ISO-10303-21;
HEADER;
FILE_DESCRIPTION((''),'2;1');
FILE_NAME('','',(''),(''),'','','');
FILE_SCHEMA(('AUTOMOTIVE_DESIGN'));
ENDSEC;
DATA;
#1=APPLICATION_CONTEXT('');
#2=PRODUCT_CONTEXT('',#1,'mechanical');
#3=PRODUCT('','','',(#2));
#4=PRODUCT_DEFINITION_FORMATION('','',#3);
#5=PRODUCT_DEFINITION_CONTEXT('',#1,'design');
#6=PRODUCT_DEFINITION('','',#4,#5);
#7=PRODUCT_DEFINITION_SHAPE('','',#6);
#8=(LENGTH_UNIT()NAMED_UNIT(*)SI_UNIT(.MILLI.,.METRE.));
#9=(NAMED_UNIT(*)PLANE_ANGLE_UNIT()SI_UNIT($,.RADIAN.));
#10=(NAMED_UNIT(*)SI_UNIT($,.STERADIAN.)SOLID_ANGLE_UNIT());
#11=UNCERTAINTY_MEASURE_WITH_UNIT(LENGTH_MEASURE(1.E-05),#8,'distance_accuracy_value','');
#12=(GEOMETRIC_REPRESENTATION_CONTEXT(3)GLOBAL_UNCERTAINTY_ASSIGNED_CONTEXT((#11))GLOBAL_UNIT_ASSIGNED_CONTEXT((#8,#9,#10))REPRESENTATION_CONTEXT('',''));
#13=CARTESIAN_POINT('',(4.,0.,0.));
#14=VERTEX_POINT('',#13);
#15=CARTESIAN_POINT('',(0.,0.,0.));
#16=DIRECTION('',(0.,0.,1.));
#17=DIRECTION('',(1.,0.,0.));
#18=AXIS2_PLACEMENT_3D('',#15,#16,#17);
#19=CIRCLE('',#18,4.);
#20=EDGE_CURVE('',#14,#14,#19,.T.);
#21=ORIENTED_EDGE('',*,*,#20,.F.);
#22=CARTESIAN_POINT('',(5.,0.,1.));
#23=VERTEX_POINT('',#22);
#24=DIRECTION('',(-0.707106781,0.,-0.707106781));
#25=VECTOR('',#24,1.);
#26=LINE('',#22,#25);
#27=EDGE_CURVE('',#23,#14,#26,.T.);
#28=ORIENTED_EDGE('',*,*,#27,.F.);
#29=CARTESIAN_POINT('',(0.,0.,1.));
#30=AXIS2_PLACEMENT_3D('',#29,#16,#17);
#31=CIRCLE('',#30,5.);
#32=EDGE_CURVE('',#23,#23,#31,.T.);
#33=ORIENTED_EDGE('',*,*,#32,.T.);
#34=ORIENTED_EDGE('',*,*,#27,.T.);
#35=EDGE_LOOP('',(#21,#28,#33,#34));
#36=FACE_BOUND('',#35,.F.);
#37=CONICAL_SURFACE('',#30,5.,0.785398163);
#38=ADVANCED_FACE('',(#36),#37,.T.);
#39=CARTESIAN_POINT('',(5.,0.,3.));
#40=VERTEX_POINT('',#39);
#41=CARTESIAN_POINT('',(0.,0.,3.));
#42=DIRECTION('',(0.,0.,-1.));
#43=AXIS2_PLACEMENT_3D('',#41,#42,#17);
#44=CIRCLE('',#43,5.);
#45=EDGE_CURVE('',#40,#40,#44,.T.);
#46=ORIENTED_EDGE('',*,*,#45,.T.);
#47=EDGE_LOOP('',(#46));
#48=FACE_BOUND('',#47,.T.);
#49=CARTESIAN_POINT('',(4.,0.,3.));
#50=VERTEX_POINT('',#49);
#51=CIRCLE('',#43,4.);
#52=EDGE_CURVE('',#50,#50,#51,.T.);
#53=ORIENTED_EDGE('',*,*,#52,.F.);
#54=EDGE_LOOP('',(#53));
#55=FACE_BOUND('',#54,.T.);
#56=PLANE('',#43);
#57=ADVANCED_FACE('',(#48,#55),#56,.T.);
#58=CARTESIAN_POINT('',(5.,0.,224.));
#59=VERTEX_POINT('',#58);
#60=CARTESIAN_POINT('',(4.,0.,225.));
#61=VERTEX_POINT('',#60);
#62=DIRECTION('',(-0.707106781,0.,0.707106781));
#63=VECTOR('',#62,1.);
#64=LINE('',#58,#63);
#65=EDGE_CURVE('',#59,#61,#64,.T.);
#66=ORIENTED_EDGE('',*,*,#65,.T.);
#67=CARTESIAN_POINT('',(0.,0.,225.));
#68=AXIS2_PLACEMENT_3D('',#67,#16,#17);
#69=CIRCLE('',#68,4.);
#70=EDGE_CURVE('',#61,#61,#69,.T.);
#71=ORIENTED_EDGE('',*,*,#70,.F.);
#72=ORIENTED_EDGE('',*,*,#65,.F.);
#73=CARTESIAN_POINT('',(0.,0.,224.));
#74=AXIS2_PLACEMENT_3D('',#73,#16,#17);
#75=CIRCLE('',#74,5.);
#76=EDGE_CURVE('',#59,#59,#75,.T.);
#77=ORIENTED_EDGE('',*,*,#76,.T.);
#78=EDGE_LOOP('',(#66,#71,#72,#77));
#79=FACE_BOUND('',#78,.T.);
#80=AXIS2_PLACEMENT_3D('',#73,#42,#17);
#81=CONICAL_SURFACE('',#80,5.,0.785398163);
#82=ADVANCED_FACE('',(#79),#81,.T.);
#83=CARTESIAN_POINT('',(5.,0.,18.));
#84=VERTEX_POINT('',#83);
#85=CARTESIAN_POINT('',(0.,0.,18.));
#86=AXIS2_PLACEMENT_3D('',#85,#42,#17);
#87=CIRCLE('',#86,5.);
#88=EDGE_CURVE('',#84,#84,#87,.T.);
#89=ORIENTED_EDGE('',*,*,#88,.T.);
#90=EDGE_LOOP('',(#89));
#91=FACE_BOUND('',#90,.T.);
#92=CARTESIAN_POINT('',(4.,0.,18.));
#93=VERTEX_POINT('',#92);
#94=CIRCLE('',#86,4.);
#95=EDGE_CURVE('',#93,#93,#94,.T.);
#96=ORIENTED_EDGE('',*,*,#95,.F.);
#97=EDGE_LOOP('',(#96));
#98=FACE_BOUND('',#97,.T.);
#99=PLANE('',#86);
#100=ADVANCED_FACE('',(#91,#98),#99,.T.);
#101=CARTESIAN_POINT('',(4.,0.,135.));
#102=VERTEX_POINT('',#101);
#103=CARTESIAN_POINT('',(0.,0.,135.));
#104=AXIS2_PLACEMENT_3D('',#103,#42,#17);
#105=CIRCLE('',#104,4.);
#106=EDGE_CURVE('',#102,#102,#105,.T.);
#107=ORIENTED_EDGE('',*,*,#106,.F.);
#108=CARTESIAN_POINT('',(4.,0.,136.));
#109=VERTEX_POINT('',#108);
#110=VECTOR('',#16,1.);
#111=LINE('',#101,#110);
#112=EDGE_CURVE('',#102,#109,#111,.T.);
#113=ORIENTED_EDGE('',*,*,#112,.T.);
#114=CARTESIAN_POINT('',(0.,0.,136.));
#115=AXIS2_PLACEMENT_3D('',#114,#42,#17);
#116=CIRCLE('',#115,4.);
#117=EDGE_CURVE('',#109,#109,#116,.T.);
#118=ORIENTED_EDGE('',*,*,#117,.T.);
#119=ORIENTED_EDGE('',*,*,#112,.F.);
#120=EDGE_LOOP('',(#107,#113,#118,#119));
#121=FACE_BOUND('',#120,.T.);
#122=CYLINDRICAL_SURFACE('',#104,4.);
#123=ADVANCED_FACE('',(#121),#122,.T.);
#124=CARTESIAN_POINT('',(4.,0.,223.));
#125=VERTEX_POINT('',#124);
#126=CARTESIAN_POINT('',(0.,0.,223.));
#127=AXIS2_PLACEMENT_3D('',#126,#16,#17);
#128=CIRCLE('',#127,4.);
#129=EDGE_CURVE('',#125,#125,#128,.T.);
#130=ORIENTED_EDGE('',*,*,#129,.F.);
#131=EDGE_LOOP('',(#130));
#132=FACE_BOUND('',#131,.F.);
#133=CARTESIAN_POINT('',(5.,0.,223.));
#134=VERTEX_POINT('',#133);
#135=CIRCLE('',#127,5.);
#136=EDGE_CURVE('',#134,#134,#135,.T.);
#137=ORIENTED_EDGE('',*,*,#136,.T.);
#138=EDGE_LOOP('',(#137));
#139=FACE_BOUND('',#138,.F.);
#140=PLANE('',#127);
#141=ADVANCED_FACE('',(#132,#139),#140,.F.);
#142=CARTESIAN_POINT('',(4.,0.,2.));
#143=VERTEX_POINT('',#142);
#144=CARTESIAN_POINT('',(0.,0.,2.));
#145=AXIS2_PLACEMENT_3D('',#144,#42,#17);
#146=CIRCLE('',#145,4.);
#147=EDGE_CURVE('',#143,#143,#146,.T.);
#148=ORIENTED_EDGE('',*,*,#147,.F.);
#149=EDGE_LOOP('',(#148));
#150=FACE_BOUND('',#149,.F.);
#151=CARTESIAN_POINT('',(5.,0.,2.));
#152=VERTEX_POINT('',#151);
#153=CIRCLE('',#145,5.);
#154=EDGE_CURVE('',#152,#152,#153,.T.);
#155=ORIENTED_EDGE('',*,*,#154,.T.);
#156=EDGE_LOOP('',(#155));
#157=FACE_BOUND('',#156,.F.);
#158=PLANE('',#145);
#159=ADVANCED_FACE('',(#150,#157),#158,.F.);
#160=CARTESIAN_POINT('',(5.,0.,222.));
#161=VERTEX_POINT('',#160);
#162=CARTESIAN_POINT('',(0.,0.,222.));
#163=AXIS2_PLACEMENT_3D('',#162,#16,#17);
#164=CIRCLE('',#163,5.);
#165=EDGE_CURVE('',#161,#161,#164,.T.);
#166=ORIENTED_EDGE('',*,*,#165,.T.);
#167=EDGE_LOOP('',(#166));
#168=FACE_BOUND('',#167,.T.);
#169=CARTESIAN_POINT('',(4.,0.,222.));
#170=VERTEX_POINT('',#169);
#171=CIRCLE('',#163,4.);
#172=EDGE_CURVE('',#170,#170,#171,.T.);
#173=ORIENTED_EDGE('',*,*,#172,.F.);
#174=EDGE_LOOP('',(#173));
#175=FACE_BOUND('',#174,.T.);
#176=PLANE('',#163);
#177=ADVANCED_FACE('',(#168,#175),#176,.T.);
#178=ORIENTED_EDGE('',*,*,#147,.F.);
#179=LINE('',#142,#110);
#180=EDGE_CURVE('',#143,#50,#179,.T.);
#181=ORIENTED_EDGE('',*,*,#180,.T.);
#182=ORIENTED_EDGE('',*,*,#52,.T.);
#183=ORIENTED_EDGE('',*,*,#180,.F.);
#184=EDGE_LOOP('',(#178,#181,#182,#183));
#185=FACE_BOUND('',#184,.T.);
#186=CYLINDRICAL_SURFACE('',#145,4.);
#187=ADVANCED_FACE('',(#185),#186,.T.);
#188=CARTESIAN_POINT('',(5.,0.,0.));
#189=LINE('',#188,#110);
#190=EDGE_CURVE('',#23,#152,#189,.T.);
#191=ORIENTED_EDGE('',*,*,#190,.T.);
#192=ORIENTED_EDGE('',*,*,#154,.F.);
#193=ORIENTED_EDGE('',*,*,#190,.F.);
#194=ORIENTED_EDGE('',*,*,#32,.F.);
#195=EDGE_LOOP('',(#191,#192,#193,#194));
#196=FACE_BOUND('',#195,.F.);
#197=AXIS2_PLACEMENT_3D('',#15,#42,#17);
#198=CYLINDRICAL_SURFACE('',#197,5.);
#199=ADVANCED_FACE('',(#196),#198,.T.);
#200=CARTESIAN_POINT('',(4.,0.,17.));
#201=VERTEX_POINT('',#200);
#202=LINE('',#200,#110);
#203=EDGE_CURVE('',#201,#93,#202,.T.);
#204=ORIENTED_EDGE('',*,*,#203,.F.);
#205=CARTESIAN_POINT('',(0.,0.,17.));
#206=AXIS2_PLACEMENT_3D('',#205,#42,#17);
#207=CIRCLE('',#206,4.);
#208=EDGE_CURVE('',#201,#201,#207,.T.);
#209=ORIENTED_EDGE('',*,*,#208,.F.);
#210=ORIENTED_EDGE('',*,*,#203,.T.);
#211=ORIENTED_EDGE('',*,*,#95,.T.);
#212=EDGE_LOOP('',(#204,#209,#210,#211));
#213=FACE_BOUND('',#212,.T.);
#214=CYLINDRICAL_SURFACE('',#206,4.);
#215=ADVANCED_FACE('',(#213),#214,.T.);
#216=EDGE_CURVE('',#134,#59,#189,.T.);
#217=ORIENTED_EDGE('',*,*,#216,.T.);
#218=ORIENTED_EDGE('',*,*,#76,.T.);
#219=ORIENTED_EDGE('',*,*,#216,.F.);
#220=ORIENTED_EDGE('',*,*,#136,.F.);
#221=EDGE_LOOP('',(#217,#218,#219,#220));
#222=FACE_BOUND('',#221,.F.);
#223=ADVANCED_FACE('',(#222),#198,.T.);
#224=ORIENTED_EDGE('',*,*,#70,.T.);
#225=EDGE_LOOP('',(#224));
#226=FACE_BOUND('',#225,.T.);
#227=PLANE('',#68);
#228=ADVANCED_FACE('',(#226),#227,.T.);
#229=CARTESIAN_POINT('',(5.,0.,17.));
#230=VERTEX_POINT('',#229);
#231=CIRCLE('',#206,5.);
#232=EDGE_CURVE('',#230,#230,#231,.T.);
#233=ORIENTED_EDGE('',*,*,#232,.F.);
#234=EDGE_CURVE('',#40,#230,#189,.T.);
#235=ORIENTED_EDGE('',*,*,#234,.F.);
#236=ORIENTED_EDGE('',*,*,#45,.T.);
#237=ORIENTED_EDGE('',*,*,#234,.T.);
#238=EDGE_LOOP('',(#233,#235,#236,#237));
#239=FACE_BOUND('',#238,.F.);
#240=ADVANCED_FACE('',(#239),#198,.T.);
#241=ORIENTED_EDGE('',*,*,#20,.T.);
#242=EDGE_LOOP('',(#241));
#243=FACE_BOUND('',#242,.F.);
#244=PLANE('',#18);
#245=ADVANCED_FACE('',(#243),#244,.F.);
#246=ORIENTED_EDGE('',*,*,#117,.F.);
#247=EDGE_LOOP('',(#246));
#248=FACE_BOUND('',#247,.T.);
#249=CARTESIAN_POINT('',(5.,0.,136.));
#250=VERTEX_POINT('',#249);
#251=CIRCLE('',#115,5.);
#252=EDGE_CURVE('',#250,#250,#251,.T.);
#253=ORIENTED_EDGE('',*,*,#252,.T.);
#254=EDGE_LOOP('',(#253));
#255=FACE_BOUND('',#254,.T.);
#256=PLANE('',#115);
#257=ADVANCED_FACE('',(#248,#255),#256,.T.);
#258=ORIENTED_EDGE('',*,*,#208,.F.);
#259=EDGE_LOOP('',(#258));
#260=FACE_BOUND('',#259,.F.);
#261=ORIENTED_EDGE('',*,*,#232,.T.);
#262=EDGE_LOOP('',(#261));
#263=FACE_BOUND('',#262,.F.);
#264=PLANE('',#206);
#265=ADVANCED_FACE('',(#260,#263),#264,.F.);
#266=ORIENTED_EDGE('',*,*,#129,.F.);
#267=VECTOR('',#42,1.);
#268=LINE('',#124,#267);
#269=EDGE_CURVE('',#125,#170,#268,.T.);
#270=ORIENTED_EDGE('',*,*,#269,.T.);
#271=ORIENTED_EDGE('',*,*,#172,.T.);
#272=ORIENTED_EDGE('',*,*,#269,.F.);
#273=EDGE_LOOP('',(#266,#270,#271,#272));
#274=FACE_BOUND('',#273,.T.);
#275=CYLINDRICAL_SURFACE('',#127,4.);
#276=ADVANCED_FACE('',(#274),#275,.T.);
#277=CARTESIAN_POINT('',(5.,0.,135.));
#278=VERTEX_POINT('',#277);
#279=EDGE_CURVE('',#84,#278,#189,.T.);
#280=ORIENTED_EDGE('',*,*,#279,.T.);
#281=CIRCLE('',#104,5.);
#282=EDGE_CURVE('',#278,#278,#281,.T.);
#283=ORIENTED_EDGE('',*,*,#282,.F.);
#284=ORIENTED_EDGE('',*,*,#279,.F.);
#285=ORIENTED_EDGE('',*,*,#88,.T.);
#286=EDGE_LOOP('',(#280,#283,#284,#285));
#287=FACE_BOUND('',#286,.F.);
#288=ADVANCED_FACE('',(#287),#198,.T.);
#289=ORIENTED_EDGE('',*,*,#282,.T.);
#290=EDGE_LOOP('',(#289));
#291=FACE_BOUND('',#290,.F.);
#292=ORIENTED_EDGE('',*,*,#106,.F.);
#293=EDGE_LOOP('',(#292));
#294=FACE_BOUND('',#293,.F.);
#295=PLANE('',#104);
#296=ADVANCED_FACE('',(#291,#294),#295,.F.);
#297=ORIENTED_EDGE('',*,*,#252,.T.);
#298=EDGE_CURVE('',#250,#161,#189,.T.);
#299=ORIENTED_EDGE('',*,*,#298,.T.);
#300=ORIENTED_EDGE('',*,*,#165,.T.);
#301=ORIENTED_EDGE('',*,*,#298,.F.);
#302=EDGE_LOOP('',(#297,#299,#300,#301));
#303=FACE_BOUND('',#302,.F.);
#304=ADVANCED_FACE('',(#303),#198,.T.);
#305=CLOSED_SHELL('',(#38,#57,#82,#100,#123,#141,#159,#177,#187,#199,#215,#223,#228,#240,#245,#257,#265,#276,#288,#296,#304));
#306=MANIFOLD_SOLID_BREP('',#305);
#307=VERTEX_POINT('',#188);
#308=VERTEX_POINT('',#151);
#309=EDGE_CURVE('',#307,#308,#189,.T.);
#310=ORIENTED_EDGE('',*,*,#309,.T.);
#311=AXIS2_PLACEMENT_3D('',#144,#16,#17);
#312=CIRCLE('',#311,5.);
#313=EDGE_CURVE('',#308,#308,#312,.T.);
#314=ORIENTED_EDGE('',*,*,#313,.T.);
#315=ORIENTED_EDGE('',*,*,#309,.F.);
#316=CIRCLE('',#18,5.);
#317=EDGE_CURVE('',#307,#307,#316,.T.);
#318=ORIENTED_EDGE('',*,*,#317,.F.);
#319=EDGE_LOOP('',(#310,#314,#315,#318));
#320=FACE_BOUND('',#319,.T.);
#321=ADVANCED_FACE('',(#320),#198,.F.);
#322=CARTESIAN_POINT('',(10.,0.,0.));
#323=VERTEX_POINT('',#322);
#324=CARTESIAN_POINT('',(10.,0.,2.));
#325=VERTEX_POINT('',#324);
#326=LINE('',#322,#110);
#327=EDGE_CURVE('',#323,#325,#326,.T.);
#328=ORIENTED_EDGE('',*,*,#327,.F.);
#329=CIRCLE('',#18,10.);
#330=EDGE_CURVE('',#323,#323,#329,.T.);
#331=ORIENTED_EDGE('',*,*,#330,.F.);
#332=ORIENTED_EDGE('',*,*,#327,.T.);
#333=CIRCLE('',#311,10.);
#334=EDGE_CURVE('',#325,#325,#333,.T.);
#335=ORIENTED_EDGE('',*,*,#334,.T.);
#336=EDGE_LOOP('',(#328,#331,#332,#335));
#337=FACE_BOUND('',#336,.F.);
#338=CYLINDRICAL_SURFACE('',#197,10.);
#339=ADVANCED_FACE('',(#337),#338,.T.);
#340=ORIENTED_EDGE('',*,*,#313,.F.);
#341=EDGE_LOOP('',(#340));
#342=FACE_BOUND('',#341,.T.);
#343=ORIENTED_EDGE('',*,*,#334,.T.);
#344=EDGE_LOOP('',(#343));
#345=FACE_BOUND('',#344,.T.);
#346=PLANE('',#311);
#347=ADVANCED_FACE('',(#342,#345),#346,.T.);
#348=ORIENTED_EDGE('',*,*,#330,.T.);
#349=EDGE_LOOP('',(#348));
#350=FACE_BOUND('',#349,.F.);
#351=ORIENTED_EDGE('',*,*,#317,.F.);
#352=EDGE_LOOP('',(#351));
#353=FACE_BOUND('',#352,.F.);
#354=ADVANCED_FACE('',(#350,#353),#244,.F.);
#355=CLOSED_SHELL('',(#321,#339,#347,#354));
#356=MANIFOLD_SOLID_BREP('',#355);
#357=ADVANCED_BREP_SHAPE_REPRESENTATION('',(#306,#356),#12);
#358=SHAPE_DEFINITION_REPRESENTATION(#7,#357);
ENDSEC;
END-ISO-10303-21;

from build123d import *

# Parameters (mm, degrees)
F0_R      = 5
F1_DEPTH  = 225
F2_SIZE   = 1
F4_R      = 5
F4_R_2    = 4
F5_DEPTH  = 1
F7_R      = 5
F7_R_2    = 4
F8_DEPTH  = 1
F10_R     = 5
F10_R_2   = 4
F11_DEPTH = 1
F13_R     = 5
F13_R_2   = 4
F14_DEPTH = 1
F15_R     = 10
F15_R_2   = 5
F16_DEPTH = 2


with BuildPart() as f1:
    # F0 (on Top) → F1 (new body)
    with BuildSketch(Plane.XY):
        Circle(F0_R)
    extrude(amount=F1_DEPTH)

    # F2
    f2_edges = [f1.edges().sort_by_distance(p)[0] for p in [
        (-5, 0, 225),
        (-5, 0, 0),
    ]]
    chamfer(f2_edges, length=F2_SIZE)

    # F4 (on offset) → F5 (cut)
    with BuildSketch(Plane(origin=(0, 0, 2), x_dir=(1, 0, 0), z_dir=(0, 0, -1))):
        Circle(F4_R)
        Circle(F4_R_2, mode=Mode.SUBTRACT)
    extrude(amount=-F5_DEPTH, mode=Mode.SUBTRACT)

    # F7 (on offset) → F8 (cut)
    with BuildSketch(Plane.XY.offset(223)):
        Circle(F7_R)
        Circle(F7_R_2, mode=Mode.SUBTRACT)
    extrude(amount=-F8_DEPTH, mode=Mode.SUBTRACT)

    # F10 (on offset) → F11 (cut)
    with BuildSketch(Plane(origin=(0, 0, 17), x_dir=(1, 0, 0), z_dir=(0, 0, -1))):
        Circle(F10_R)
        Circle(F10_R_2, mode=Mode.SUBTRACT)
    extrude(amount=-F11_DEPTH, mode=Mode.SUBTRACT)

    # F13 (on offset) → F14 (cut)
    with BuildSketch(Plane(origin=(0, 0, 135), x_dir=(1, 0, 0), z_dir=(0, 0, -1))):
        Circle(F13_R)
        Circle(F13_R_2, mode=Mode.SUBTRACT)
    extrude(amount=-F14_DEPTH, mode=Mode.SUBTRACT)


with BuildPart() as f16:
    # F15 (on Top) → F16 (new body)
    with BuildSketch(Plane.XY):
        Circle(F15_R)
        Circle(F15_R_2, mode=Mode.SUBTRACT)
    extrude(amount=F16_DEPTH)


solid = Compound([f1.part, f16.part])
